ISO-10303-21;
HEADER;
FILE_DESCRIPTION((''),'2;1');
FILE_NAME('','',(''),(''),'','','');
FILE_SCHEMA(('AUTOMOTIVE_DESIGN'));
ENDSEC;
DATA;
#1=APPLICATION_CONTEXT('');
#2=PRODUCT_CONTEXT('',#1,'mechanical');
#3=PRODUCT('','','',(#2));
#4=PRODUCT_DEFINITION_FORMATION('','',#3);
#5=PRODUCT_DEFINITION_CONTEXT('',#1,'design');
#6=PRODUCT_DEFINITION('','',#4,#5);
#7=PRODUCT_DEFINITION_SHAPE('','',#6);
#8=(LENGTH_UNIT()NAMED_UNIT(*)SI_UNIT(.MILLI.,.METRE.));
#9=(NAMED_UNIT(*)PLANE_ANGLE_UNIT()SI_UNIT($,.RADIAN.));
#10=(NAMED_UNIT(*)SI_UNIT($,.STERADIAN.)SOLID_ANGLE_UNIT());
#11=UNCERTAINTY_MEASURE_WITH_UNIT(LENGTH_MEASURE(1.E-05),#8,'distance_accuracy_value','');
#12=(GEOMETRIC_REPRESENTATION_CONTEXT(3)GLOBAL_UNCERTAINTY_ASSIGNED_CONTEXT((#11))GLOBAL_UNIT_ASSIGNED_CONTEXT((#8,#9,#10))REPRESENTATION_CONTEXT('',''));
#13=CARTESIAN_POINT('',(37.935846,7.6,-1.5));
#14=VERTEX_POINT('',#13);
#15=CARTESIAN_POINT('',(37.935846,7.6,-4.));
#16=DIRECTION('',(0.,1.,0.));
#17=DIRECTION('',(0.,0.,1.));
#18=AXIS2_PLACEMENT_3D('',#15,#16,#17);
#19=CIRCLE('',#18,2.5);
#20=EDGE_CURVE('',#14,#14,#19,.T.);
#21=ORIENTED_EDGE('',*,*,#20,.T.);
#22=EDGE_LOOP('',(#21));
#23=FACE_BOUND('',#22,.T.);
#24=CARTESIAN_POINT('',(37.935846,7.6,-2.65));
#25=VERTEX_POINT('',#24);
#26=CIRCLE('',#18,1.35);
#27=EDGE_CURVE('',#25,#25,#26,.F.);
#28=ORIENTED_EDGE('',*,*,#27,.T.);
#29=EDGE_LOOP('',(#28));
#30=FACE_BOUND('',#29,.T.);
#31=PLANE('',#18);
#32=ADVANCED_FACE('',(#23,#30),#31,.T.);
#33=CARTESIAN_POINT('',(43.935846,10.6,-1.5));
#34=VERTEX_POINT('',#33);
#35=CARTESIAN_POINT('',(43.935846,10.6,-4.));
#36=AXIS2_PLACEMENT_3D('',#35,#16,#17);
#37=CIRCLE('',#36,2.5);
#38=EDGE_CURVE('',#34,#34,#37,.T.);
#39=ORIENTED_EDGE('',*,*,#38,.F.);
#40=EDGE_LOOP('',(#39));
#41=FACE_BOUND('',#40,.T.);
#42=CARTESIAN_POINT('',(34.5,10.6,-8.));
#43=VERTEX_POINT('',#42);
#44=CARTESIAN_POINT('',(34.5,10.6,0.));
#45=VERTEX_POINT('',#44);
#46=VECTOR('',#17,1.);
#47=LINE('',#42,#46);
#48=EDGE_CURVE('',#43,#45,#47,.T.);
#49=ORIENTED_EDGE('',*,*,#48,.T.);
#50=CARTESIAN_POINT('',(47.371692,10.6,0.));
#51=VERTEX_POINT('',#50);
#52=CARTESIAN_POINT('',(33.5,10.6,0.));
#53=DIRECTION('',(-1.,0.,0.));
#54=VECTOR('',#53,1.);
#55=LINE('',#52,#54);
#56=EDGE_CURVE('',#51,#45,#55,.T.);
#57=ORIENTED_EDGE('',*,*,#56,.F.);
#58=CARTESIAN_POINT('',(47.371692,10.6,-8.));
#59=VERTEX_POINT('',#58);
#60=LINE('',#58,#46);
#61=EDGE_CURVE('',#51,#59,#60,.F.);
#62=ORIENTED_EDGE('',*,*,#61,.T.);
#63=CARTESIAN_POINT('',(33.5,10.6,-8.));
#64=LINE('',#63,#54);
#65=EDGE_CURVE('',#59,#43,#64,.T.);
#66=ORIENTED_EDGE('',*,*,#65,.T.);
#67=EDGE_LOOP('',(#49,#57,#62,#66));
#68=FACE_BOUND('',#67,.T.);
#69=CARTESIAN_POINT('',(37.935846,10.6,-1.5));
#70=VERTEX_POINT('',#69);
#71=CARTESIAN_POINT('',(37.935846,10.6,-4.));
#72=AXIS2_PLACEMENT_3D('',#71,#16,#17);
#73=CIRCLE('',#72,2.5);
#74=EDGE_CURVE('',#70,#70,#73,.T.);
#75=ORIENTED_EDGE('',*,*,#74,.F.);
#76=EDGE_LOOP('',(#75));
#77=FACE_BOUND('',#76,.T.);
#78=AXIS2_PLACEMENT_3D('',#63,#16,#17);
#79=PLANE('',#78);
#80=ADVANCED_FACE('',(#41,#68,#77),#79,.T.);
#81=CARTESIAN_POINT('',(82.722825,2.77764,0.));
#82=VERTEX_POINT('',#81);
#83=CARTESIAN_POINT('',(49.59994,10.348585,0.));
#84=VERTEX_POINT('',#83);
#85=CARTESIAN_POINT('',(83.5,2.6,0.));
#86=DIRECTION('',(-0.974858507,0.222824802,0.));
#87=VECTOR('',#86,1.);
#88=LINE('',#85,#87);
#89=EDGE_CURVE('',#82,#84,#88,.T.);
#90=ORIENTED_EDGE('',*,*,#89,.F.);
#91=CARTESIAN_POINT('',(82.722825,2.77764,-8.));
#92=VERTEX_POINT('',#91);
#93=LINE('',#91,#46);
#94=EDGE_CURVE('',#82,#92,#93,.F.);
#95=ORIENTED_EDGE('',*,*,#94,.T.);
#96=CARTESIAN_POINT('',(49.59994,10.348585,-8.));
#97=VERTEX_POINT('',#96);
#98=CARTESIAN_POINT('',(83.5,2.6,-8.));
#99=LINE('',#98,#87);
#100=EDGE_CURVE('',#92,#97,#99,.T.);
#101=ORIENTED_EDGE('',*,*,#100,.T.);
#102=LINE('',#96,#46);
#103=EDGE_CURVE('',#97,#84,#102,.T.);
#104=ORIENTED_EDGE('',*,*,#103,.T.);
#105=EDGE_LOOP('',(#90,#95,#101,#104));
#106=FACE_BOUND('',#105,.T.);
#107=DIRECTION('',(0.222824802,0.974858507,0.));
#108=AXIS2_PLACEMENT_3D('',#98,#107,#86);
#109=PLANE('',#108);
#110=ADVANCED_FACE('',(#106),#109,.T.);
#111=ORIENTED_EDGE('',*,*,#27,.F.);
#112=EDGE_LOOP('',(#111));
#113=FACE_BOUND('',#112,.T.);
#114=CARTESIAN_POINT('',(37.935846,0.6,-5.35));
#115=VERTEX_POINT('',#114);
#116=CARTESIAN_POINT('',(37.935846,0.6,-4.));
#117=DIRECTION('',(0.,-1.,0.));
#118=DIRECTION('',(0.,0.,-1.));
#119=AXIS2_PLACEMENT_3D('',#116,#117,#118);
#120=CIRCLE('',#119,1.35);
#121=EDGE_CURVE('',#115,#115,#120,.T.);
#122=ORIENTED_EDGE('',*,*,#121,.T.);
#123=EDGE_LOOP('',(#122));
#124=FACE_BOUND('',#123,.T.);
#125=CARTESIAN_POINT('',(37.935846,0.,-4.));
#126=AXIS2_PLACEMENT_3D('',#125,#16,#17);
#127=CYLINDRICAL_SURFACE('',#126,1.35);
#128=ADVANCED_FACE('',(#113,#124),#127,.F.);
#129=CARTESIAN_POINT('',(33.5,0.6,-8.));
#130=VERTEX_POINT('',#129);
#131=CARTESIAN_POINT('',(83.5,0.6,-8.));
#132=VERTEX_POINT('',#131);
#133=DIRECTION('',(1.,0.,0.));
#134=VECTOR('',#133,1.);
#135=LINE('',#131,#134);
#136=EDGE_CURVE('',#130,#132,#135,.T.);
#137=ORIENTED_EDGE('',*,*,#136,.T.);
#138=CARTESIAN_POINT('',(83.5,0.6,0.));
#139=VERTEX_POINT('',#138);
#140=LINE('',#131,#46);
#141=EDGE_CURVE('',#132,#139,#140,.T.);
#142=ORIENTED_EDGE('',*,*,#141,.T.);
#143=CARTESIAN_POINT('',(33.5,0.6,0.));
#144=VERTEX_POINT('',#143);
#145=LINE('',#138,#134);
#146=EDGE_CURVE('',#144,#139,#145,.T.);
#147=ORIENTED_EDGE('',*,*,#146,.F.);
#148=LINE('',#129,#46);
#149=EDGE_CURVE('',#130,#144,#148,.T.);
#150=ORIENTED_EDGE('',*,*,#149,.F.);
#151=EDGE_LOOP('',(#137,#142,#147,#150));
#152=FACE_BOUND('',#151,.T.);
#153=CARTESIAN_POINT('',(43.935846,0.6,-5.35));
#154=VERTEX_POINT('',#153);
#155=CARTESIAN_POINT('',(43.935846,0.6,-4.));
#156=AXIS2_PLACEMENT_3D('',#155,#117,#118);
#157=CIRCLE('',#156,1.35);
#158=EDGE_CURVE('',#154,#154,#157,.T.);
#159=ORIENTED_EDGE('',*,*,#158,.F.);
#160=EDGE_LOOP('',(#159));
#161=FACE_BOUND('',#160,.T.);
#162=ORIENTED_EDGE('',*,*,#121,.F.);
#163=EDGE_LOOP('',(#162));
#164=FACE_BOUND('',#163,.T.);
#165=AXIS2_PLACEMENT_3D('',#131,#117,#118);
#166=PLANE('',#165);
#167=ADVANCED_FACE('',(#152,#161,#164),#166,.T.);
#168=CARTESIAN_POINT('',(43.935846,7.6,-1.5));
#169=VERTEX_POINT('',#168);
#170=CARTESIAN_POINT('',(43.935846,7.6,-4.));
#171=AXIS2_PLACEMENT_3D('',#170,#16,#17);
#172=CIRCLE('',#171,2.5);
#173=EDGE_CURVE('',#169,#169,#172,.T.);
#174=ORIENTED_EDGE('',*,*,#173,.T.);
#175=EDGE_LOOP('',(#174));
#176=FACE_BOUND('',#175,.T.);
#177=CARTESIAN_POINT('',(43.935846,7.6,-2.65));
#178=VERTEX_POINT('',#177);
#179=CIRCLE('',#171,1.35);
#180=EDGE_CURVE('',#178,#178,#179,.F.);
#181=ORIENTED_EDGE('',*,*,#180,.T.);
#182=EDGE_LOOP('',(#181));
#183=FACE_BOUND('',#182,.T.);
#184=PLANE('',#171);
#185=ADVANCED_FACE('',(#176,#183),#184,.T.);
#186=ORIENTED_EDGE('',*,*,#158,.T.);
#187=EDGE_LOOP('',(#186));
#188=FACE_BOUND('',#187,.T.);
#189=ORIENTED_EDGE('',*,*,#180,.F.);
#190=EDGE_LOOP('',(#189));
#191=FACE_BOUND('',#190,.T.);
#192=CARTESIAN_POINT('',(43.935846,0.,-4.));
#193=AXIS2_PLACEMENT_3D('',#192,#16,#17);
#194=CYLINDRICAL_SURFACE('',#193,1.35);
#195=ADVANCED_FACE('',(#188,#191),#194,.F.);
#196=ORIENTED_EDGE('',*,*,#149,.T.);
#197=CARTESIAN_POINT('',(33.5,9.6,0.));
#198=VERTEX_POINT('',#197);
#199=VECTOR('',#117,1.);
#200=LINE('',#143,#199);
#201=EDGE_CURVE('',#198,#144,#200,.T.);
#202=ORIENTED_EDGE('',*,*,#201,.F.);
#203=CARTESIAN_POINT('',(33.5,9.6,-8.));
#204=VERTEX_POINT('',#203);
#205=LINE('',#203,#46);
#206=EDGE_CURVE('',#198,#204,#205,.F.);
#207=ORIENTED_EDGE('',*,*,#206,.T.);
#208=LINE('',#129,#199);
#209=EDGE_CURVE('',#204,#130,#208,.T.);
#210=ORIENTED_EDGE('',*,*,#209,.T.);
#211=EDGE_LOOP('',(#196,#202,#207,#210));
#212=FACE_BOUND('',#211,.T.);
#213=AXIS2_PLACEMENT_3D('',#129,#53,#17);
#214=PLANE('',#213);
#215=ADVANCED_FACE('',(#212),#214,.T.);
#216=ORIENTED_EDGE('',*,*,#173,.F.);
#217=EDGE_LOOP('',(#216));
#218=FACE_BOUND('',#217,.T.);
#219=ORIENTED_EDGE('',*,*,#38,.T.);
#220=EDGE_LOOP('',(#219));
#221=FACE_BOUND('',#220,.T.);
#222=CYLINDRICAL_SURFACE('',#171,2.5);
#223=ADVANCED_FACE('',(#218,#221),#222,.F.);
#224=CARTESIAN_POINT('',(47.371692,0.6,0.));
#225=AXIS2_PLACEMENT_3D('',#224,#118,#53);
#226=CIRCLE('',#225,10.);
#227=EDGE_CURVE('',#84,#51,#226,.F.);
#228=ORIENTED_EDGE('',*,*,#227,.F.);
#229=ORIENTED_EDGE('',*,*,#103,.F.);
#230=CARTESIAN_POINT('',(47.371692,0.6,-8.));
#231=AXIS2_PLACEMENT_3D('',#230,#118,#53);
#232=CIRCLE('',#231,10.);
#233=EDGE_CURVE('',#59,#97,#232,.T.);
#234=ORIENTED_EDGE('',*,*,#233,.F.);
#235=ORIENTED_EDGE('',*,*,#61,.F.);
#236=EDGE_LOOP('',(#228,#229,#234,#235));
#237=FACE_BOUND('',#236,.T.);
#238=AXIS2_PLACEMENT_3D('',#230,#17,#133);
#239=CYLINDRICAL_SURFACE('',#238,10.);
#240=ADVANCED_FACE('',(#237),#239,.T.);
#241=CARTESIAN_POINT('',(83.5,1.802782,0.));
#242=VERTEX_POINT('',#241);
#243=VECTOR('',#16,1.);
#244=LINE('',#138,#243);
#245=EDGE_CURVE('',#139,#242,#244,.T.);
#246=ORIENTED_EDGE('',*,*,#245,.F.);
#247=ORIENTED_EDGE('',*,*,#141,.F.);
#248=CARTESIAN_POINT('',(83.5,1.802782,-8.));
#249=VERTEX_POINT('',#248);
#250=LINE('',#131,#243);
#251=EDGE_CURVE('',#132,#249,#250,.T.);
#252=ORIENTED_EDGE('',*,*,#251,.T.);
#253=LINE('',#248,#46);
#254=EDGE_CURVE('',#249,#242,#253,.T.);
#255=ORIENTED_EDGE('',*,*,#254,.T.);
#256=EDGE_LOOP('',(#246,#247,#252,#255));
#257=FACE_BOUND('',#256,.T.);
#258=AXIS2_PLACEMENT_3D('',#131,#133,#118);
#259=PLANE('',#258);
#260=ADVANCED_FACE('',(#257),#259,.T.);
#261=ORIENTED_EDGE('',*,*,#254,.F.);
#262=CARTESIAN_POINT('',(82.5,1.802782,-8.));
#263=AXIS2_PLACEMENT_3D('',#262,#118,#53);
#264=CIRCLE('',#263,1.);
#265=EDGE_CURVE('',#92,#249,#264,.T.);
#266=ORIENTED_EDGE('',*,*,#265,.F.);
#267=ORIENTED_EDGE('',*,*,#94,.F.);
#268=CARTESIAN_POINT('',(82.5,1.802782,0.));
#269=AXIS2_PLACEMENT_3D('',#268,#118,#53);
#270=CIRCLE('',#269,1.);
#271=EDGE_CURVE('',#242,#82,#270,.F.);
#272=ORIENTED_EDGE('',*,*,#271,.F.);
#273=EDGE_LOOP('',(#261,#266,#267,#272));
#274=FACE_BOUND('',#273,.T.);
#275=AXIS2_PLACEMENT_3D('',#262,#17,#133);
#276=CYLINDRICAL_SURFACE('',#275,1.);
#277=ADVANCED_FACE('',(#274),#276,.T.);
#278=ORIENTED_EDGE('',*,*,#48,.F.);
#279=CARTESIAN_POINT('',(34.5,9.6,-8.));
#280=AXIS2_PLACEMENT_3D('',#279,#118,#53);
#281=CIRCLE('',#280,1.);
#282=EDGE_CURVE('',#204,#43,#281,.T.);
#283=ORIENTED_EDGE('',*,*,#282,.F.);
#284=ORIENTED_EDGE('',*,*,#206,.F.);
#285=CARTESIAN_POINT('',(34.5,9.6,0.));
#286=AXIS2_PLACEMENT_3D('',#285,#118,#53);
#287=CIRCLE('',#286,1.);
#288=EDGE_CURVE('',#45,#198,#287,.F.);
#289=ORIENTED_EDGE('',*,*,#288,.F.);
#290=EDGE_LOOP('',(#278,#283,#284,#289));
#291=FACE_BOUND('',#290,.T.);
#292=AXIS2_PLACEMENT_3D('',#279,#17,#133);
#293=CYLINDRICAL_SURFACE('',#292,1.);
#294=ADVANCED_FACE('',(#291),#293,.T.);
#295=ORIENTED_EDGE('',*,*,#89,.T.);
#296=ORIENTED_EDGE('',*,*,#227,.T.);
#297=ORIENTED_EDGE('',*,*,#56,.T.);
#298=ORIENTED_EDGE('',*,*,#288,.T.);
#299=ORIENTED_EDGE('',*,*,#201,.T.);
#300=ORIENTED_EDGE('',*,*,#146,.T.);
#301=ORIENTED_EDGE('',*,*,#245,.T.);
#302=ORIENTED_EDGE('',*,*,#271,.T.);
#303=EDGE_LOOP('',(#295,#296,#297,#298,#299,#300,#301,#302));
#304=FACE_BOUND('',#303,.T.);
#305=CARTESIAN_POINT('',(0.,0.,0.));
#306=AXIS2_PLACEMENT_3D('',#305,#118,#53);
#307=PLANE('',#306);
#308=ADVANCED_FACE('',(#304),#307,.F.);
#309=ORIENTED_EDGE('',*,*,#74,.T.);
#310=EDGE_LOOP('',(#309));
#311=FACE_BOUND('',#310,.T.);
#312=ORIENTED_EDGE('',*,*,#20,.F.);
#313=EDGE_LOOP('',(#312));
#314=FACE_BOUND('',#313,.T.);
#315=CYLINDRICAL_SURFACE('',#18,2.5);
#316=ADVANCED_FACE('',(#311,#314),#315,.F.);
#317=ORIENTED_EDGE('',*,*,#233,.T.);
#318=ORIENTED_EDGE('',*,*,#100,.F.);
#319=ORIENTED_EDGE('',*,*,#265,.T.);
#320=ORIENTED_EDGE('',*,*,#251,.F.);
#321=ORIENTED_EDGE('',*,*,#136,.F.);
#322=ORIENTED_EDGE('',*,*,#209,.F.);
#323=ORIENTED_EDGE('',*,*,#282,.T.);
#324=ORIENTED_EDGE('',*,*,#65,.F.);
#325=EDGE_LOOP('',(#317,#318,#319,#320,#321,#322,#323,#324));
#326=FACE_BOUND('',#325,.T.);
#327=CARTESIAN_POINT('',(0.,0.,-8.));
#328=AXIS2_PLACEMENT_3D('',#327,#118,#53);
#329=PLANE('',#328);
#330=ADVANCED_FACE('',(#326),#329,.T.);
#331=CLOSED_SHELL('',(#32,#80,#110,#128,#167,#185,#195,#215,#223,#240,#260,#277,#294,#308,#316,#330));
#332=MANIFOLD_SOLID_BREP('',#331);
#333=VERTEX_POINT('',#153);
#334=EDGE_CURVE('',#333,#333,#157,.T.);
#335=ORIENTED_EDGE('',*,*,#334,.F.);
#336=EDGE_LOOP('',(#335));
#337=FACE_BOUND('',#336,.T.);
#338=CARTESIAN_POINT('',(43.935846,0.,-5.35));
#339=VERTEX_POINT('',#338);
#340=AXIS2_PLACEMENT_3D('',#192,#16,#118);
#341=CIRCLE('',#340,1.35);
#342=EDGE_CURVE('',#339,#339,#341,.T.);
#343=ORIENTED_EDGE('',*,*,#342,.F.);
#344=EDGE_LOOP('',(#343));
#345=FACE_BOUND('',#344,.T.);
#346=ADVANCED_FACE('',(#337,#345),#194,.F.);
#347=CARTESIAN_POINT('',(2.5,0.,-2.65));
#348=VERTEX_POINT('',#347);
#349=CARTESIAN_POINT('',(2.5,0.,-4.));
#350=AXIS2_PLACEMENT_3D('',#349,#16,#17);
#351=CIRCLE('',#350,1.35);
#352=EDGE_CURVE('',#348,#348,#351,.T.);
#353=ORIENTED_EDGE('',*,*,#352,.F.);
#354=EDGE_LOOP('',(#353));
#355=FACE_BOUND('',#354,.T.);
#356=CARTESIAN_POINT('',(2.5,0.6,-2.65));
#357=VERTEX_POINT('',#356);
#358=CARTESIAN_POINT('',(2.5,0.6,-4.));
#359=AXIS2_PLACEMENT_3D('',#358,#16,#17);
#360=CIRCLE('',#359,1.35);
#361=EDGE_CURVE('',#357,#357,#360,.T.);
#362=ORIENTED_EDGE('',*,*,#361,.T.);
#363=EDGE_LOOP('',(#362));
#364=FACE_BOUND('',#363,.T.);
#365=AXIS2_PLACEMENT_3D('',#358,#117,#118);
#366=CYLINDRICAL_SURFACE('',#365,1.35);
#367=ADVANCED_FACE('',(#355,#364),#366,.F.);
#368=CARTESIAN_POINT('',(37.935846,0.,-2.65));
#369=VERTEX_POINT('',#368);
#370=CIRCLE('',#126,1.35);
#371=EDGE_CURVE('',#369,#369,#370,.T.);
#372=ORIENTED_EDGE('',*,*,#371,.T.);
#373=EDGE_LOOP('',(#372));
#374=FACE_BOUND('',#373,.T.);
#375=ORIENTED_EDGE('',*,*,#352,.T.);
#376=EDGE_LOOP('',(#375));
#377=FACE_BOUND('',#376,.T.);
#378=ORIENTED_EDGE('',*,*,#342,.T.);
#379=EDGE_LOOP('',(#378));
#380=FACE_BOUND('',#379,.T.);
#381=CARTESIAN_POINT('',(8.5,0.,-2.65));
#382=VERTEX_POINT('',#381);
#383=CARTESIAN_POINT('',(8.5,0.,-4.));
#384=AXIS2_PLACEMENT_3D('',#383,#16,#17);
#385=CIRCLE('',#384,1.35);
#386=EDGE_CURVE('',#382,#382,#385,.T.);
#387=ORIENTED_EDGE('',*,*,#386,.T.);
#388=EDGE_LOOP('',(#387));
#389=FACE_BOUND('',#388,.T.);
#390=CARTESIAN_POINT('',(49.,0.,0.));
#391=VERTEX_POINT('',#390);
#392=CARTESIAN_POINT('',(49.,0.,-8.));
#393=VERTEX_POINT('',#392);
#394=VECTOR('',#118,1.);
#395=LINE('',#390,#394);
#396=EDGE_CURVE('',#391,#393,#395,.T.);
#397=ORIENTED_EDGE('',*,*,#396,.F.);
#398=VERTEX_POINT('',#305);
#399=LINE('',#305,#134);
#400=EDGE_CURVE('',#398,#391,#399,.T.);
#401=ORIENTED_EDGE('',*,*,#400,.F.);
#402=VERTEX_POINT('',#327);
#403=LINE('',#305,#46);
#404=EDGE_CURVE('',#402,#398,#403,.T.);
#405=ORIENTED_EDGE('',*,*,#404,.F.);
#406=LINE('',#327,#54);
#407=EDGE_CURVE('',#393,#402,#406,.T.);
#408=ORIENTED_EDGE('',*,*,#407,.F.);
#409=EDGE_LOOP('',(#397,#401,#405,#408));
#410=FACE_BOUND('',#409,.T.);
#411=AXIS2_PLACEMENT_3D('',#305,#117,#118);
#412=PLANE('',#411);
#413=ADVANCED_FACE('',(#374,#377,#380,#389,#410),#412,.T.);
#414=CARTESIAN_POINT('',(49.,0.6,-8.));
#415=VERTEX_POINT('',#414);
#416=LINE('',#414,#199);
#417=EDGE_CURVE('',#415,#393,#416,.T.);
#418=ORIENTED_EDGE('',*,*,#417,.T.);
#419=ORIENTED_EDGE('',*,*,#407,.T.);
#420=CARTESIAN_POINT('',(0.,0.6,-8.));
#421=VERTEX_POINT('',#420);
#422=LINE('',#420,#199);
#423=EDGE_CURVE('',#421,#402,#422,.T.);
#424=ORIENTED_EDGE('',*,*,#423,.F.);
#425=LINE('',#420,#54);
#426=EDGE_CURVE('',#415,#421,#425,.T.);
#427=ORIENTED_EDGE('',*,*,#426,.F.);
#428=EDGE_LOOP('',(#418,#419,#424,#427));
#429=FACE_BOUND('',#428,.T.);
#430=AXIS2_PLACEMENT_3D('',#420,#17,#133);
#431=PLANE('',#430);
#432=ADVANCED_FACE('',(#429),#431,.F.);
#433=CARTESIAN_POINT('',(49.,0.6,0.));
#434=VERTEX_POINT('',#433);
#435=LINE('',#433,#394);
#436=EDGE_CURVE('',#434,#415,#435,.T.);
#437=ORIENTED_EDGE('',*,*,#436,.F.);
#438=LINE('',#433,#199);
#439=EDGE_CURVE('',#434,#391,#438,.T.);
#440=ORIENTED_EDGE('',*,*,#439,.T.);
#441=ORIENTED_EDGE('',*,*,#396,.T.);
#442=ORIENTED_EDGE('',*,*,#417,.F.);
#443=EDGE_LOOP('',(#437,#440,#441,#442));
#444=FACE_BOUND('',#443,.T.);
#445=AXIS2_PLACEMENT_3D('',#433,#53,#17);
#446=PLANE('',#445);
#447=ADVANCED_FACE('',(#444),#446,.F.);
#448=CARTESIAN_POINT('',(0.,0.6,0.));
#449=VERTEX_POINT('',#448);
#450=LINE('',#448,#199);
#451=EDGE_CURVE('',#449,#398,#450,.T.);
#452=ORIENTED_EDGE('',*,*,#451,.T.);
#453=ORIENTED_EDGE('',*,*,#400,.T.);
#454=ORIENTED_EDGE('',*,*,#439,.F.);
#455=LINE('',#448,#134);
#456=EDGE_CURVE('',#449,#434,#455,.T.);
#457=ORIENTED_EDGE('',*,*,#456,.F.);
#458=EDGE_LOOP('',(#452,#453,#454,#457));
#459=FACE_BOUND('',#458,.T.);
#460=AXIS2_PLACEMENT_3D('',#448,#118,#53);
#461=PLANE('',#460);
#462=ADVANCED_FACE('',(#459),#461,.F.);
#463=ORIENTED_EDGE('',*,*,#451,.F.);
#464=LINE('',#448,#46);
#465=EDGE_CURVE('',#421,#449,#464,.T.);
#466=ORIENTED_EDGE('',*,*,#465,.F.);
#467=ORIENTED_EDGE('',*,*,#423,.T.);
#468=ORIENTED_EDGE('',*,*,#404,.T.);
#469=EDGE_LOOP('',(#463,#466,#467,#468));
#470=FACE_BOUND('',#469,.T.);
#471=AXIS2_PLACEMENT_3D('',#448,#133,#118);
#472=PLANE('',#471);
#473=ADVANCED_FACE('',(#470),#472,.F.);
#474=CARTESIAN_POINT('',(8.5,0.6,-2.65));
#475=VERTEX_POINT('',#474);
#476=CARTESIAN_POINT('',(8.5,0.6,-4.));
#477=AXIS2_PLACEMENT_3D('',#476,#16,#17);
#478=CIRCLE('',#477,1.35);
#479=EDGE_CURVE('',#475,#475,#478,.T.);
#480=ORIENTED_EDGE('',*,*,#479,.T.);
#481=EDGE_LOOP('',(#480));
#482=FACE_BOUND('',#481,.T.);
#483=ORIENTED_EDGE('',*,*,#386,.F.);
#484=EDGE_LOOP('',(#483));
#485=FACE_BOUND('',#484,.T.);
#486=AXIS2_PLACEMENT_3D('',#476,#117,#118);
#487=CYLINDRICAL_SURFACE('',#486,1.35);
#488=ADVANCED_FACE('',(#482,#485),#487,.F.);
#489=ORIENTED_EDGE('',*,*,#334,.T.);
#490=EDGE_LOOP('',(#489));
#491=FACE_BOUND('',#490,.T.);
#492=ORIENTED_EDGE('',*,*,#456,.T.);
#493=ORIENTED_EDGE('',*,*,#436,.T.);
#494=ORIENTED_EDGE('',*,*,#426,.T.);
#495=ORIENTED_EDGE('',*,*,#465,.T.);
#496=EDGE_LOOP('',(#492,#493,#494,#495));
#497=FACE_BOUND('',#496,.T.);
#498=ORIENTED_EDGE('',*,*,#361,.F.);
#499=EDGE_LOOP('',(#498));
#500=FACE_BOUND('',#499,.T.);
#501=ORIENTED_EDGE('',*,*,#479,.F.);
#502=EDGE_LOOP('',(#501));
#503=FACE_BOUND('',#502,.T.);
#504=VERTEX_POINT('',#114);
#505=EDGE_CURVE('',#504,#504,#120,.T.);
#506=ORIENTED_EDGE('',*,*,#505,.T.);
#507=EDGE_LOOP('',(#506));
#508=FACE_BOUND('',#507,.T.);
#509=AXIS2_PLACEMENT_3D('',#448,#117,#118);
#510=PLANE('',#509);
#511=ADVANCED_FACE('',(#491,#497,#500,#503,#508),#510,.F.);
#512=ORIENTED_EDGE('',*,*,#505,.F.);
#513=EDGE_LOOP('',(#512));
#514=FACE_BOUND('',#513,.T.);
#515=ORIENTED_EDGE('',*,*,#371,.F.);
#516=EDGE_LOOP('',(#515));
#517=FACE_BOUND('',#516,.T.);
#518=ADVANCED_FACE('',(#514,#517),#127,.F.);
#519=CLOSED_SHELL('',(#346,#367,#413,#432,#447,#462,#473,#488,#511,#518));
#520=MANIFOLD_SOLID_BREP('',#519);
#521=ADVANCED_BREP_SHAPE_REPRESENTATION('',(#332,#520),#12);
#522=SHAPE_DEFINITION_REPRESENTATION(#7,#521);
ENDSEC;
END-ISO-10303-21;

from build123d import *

# Parameters (mm, degrees)
SKETCH_1_W          = 49
SKETCH_1_H          = 8
SKETCH_1_R          = 1.35
EXTRUDE_1_DEPTH     = 0.6
EXTRUDE_2_DEPTH     = 8
FILLET_1_R          = 1
FILLET_2_R          = 10
FILLET_3_R          = 1
SKETCH_3_R          = 1.35
CUT_EXTRUDE_1_DEPTH = 85.549452985
SKETCH_4_R          = 2.5
CUT_EXTRUDE_2_DEPTH = 3


with BuildPart() as part:
    # 草图1 → 凸台-拉伸1 (new body)
    with BuildSketch(Plane(origin=(0, 0, 0), x_dir=(1, 0, 0), z_dir=(0, 1, 0))):
        with Locations((24.5, 4)):
            Rectangle(SKETCH_1_W, SKETCH_1_H)
        with Locations(Location((2.5, 4, 0), (0, 0, 270))):
            Circle(SKETCH_1_R, mode=Mode.SUBTRACT)
        with Locations(Location((8.5, 4, 0), (0, 0, 270))):
            Circle(SKETCH_1_R, mode=Mode.SUBTRACT)
    extrude(amount=EXTRUDE_1_DEPTH)


with BuildPart() as body_2:
    # 草图2 → 凸台-拉伸2 (new body)
    with BuildSketch(Plane.XY):
        Polygon((33.5, 0.6), (33.5, 10.6), (48.5, 10.6), (83.5, 2.6), (83.5, 0.6), align=None)
    extrude(amount=-EXTRUDE_2_DEPTH)

    # 圆角1
    fillet_1_edges = [body_2.edges().sort_by_distance(p)[0] for p in [
        (83.5, 2.6, -4),
    ]]
    fillet(fillet_1_edges, radius=FILLET_1_R)

    # 圆角2
    fillet_2_edges = [body_2.edges().sort_by_distance(p)[0] for p in [
        (48.5, 10.6, -4),
    ]]
    fillet(fillet_2_edges, radius=FILLET_2_R)

    # 圆角3
    fillet_3_edges = [body_2.edges().sort_by_distance(p)[0] for p in [
        (33.5, 10.6, -4),
    ]]
    fillet(fillet_3_edges, radius=FILLET_3_R)


with BuildPart() as cut_extrude_1_tool:
    # 草图3 → 切除-拉伸1 (new, through all)
    with BuildSketch(Plane(origin=(0, 10.6, 0), x_dir=(1, 0, 0), z_dir=(0, 1, 0))):
        with Locations(Location((37.935846161, 4, 0), (0, 0, 270))):
            Circle(SKETCH_3_R)
        with Locations(Location((43.935846161, 4, 0), (0, 0, 90))):
            Circle(SKETCH_3_R)
    extrude(amount=-CUT_EXTRUDE_1_DEPTH)


with BuildPart() as part_1:
    add(part.part)

    # 切除-拉伸1: cut by cut_extrude_1_tool
    add(cut_extrude_1_tool.part, mode=Mode.SUBTRACT)


with BuildPart() as body_2_1:
    add(body_2.part)

    # 切除-拉伸1: cut by cut_extrude_1_tool
    add(cut_extrude_1_tool.part, mode=Mode.SUBTRACT)

    # 草图4 → 切除-拉伸2 (cut)
    with BuildSketch(Plane(origin=(0, 10.6, 0), x_dir=(1, 0, 0), z_dir=(0, 1, 0))):
        with Locations(Location((37.935846161, 4, 0), (0, 0, 270))):
            Circle(SKETCH_4_R)
        with Locations(Location((43.935846161, 4, 0), (0, 0, 270))):
            Circle(SKETCH_4_R)
    extrude(amount=-CUT_EXTRUDE_2_DEPTH, mode=Mode.SUBTRACT)


solid = Compound([part_1.part, body_2_1.part])
